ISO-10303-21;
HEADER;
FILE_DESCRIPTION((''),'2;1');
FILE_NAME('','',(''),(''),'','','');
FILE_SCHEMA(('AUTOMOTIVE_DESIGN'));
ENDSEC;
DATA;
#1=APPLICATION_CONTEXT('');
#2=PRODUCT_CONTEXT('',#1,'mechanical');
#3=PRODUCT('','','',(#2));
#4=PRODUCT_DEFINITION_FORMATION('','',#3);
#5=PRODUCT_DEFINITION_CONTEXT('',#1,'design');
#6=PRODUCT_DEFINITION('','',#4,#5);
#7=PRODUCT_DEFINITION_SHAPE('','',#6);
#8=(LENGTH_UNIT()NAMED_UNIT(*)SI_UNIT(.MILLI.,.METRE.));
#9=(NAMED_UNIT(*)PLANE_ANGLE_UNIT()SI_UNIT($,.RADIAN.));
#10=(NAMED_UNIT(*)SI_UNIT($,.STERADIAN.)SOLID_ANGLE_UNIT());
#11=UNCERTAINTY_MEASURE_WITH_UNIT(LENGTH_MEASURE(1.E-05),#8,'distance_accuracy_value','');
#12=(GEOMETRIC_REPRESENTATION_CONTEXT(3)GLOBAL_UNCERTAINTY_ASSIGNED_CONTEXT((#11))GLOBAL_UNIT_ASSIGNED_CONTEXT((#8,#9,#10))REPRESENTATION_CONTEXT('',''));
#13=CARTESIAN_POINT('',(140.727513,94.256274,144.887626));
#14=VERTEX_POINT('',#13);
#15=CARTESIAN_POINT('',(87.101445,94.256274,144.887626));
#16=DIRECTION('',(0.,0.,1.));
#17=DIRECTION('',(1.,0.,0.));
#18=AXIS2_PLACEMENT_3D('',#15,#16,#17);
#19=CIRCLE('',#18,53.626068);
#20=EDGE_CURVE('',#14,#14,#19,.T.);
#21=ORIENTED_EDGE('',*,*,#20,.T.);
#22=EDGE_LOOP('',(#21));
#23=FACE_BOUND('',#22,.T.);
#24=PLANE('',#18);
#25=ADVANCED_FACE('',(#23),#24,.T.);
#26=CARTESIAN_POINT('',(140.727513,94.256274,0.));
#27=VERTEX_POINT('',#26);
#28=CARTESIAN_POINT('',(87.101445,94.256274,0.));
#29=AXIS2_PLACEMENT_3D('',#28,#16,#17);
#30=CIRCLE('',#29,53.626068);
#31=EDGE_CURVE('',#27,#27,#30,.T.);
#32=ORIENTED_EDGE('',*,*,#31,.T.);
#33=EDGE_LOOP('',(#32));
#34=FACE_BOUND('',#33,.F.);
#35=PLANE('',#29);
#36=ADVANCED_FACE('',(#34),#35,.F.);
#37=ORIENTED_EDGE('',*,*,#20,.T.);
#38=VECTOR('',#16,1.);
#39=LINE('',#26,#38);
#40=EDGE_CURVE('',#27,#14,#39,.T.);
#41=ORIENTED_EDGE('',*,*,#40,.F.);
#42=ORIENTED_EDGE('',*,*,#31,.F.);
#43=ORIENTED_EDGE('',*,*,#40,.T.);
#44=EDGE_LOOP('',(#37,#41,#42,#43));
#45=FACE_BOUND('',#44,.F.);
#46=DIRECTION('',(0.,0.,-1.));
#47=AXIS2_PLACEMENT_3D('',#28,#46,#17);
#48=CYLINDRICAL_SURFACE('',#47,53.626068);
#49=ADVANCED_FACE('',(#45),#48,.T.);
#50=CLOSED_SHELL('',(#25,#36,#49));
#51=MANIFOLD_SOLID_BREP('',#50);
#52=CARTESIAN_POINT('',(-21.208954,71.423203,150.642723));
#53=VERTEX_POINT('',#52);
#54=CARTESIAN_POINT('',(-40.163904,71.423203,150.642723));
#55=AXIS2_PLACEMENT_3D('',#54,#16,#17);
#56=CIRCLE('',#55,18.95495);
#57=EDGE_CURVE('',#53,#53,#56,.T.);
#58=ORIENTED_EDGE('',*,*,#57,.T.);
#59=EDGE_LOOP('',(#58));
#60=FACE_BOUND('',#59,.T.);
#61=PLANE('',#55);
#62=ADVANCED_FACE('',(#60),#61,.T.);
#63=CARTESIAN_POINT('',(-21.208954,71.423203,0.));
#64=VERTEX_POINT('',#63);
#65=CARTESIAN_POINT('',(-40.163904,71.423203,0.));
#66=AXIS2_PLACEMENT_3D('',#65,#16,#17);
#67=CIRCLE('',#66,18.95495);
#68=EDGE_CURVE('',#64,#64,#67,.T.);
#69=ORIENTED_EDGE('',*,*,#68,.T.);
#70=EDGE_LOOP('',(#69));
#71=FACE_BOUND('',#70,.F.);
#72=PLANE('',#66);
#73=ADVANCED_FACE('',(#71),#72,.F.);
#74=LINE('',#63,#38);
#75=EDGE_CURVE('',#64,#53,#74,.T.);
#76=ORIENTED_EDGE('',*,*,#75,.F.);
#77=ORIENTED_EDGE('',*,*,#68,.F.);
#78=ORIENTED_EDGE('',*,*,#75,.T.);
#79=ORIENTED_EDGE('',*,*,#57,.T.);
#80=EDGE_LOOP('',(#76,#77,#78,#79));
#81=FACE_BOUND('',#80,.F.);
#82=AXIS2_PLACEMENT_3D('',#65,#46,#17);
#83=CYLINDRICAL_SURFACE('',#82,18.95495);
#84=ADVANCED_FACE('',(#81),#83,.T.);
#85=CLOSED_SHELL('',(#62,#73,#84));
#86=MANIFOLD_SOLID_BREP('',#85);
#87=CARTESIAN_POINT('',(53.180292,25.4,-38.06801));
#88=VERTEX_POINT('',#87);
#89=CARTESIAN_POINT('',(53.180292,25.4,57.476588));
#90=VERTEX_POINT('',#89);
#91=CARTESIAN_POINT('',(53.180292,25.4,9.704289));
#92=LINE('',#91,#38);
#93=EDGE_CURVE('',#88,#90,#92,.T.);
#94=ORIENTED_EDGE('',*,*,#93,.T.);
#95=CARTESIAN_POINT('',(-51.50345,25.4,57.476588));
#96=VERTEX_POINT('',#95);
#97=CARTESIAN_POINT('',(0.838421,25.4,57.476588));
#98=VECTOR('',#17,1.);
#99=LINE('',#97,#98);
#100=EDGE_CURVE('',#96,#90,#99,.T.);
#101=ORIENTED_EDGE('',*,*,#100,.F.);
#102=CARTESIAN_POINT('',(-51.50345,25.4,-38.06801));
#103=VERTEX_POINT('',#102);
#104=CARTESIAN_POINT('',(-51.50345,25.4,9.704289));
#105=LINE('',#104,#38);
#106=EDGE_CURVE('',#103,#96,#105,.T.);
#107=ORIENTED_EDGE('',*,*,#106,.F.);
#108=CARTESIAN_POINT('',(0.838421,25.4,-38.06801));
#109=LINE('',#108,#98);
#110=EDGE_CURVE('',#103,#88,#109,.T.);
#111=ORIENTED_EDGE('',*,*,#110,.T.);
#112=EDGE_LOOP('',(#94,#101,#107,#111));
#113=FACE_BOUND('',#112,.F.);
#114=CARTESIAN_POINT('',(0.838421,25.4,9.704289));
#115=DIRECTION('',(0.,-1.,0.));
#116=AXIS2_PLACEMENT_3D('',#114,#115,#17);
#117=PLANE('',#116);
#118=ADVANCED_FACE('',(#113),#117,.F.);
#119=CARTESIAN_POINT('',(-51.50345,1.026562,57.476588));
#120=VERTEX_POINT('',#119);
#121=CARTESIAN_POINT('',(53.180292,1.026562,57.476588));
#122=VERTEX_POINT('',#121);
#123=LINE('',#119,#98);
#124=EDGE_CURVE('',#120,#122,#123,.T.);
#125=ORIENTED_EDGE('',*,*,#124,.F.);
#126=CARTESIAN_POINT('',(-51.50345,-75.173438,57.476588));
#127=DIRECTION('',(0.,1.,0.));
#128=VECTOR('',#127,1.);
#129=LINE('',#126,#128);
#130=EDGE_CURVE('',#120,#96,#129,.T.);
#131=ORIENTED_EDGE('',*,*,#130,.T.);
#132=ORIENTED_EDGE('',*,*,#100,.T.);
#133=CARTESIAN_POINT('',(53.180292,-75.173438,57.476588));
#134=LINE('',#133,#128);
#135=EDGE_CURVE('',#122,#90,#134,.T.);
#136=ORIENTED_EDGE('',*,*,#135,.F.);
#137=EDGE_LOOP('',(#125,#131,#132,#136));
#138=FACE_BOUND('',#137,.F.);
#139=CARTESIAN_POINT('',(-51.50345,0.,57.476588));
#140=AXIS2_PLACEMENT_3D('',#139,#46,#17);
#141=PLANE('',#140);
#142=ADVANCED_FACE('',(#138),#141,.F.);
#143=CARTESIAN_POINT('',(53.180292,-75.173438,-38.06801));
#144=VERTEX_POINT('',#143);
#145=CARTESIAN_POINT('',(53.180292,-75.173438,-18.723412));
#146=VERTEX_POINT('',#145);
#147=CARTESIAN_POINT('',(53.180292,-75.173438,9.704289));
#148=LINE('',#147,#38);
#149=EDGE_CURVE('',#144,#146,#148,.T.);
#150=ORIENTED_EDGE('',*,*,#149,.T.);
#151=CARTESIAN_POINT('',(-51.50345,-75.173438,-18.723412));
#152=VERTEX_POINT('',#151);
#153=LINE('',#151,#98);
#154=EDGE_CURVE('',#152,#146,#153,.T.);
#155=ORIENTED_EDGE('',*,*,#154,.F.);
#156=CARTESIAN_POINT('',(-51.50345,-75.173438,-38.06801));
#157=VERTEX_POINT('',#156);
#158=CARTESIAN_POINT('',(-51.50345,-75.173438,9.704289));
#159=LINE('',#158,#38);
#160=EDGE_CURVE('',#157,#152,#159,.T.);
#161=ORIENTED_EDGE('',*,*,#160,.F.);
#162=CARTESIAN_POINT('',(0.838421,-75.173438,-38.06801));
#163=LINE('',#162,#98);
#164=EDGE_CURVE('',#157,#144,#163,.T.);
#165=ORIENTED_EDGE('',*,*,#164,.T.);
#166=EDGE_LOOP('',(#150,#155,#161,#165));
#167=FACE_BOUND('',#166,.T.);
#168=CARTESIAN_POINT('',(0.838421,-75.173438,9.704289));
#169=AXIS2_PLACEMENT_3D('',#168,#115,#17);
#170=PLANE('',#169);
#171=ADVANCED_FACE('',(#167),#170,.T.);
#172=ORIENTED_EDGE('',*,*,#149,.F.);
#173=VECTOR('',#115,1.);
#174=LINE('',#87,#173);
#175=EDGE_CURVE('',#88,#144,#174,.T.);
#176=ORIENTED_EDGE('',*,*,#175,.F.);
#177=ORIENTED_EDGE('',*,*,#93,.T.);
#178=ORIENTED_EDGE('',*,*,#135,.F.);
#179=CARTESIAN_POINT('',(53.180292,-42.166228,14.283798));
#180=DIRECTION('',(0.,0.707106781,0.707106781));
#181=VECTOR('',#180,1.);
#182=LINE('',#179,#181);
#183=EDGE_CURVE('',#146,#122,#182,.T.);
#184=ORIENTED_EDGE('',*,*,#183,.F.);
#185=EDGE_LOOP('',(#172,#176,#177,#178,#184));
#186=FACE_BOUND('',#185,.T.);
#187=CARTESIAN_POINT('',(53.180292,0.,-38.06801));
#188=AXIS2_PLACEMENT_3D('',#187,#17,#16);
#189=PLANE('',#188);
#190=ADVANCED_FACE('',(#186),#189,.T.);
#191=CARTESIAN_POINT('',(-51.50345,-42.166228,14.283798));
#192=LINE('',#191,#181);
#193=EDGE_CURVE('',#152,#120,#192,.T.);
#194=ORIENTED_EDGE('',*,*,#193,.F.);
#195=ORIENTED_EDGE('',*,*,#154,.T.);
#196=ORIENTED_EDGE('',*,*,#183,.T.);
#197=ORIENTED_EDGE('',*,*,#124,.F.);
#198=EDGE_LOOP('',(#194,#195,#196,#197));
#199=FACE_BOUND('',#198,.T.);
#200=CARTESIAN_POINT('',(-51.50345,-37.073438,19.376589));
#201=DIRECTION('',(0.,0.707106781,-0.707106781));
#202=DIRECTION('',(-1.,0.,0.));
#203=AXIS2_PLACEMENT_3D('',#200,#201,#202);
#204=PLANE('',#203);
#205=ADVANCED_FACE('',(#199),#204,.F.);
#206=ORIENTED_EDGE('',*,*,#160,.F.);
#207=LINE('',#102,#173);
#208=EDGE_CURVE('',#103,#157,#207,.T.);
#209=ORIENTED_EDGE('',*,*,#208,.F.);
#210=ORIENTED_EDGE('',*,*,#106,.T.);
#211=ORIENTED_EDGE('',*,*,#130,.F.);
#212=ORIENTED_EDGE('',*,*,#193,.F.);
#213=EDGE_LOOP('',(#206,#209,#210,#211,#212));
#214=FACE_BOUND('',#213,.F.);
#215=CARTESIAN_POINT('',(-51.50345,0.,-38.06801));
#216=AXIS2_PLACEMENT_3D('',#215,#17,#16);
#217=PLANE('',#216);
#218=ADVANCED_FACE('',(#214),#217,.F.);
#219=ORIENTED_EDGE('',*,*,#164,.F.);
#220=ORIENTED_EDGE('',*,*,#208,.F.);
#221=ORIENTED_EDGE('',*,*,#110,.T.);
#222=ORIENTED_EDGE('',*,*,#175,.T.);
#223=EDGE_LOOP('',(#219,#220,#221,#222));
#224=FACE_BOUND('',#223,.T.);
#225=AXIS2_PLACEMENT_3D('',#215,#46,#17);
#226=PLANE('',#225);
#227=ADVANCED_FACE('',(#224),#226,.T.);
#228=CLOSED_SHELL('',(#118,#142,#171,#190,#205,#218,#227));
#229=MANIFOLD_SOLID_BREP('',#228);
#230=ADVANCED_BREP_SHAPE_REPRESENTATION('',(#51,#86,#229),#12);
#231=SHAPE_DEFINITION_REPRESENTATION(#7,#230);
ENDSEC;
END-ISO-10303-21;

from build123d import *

# Parameters (mm, degrees)
F0_W          = 104.683742
F0_H          = 95.544599
F1_DEPTH      = 75.173438
F1_DEPTH_BACK = 25.4
F2_SIZE       = 76.2
F3_R          = 18.95495
F4_DEPTH      = 150.642723
F5_R          = 53.626068
F6_DEPTH      = 144.887626


with BuildPart() as f1:
    # F0 (on Front) → F1 (new body, two sides)
    with BuildSketch(Plane.XZ) as f1_sk:
        with Locations((0.838421, 9.704289)):
            Rectangle(F0_W, F0_H)
    extrude(amount=F1_DEPTH)
    extrude(f1_sk.sketch, amount=-F1_DEPTH_BACK)

    # F2
    f2_edges = [f1.edges().sort_by_distance(p)[0] for p in [
        (0.838421, -75.173438, 57.476588),
    ]]
    chamfer(f2_edges, length=F2_SIZE)


with BuildPart() as f4:
    # F3 (on Top) → F4 (new body)
    with BuildSketch(Plane.XY):
        with Locations((-40.163904, 71.423203)):
            Circle(F3_R)
    extrude(amount=F4_DEPTH)


with BuildPart() as f6:
    # F5 (on Top) → F6 (new body)
    with BuildSketch(Plane.XY):
        with Locations((87.101445, 94.256274)):
            Circle(F5_R)
    extrude(amount=F6_DEPTH)


solid = Compound([f1.part, f4.part, f6.part])
